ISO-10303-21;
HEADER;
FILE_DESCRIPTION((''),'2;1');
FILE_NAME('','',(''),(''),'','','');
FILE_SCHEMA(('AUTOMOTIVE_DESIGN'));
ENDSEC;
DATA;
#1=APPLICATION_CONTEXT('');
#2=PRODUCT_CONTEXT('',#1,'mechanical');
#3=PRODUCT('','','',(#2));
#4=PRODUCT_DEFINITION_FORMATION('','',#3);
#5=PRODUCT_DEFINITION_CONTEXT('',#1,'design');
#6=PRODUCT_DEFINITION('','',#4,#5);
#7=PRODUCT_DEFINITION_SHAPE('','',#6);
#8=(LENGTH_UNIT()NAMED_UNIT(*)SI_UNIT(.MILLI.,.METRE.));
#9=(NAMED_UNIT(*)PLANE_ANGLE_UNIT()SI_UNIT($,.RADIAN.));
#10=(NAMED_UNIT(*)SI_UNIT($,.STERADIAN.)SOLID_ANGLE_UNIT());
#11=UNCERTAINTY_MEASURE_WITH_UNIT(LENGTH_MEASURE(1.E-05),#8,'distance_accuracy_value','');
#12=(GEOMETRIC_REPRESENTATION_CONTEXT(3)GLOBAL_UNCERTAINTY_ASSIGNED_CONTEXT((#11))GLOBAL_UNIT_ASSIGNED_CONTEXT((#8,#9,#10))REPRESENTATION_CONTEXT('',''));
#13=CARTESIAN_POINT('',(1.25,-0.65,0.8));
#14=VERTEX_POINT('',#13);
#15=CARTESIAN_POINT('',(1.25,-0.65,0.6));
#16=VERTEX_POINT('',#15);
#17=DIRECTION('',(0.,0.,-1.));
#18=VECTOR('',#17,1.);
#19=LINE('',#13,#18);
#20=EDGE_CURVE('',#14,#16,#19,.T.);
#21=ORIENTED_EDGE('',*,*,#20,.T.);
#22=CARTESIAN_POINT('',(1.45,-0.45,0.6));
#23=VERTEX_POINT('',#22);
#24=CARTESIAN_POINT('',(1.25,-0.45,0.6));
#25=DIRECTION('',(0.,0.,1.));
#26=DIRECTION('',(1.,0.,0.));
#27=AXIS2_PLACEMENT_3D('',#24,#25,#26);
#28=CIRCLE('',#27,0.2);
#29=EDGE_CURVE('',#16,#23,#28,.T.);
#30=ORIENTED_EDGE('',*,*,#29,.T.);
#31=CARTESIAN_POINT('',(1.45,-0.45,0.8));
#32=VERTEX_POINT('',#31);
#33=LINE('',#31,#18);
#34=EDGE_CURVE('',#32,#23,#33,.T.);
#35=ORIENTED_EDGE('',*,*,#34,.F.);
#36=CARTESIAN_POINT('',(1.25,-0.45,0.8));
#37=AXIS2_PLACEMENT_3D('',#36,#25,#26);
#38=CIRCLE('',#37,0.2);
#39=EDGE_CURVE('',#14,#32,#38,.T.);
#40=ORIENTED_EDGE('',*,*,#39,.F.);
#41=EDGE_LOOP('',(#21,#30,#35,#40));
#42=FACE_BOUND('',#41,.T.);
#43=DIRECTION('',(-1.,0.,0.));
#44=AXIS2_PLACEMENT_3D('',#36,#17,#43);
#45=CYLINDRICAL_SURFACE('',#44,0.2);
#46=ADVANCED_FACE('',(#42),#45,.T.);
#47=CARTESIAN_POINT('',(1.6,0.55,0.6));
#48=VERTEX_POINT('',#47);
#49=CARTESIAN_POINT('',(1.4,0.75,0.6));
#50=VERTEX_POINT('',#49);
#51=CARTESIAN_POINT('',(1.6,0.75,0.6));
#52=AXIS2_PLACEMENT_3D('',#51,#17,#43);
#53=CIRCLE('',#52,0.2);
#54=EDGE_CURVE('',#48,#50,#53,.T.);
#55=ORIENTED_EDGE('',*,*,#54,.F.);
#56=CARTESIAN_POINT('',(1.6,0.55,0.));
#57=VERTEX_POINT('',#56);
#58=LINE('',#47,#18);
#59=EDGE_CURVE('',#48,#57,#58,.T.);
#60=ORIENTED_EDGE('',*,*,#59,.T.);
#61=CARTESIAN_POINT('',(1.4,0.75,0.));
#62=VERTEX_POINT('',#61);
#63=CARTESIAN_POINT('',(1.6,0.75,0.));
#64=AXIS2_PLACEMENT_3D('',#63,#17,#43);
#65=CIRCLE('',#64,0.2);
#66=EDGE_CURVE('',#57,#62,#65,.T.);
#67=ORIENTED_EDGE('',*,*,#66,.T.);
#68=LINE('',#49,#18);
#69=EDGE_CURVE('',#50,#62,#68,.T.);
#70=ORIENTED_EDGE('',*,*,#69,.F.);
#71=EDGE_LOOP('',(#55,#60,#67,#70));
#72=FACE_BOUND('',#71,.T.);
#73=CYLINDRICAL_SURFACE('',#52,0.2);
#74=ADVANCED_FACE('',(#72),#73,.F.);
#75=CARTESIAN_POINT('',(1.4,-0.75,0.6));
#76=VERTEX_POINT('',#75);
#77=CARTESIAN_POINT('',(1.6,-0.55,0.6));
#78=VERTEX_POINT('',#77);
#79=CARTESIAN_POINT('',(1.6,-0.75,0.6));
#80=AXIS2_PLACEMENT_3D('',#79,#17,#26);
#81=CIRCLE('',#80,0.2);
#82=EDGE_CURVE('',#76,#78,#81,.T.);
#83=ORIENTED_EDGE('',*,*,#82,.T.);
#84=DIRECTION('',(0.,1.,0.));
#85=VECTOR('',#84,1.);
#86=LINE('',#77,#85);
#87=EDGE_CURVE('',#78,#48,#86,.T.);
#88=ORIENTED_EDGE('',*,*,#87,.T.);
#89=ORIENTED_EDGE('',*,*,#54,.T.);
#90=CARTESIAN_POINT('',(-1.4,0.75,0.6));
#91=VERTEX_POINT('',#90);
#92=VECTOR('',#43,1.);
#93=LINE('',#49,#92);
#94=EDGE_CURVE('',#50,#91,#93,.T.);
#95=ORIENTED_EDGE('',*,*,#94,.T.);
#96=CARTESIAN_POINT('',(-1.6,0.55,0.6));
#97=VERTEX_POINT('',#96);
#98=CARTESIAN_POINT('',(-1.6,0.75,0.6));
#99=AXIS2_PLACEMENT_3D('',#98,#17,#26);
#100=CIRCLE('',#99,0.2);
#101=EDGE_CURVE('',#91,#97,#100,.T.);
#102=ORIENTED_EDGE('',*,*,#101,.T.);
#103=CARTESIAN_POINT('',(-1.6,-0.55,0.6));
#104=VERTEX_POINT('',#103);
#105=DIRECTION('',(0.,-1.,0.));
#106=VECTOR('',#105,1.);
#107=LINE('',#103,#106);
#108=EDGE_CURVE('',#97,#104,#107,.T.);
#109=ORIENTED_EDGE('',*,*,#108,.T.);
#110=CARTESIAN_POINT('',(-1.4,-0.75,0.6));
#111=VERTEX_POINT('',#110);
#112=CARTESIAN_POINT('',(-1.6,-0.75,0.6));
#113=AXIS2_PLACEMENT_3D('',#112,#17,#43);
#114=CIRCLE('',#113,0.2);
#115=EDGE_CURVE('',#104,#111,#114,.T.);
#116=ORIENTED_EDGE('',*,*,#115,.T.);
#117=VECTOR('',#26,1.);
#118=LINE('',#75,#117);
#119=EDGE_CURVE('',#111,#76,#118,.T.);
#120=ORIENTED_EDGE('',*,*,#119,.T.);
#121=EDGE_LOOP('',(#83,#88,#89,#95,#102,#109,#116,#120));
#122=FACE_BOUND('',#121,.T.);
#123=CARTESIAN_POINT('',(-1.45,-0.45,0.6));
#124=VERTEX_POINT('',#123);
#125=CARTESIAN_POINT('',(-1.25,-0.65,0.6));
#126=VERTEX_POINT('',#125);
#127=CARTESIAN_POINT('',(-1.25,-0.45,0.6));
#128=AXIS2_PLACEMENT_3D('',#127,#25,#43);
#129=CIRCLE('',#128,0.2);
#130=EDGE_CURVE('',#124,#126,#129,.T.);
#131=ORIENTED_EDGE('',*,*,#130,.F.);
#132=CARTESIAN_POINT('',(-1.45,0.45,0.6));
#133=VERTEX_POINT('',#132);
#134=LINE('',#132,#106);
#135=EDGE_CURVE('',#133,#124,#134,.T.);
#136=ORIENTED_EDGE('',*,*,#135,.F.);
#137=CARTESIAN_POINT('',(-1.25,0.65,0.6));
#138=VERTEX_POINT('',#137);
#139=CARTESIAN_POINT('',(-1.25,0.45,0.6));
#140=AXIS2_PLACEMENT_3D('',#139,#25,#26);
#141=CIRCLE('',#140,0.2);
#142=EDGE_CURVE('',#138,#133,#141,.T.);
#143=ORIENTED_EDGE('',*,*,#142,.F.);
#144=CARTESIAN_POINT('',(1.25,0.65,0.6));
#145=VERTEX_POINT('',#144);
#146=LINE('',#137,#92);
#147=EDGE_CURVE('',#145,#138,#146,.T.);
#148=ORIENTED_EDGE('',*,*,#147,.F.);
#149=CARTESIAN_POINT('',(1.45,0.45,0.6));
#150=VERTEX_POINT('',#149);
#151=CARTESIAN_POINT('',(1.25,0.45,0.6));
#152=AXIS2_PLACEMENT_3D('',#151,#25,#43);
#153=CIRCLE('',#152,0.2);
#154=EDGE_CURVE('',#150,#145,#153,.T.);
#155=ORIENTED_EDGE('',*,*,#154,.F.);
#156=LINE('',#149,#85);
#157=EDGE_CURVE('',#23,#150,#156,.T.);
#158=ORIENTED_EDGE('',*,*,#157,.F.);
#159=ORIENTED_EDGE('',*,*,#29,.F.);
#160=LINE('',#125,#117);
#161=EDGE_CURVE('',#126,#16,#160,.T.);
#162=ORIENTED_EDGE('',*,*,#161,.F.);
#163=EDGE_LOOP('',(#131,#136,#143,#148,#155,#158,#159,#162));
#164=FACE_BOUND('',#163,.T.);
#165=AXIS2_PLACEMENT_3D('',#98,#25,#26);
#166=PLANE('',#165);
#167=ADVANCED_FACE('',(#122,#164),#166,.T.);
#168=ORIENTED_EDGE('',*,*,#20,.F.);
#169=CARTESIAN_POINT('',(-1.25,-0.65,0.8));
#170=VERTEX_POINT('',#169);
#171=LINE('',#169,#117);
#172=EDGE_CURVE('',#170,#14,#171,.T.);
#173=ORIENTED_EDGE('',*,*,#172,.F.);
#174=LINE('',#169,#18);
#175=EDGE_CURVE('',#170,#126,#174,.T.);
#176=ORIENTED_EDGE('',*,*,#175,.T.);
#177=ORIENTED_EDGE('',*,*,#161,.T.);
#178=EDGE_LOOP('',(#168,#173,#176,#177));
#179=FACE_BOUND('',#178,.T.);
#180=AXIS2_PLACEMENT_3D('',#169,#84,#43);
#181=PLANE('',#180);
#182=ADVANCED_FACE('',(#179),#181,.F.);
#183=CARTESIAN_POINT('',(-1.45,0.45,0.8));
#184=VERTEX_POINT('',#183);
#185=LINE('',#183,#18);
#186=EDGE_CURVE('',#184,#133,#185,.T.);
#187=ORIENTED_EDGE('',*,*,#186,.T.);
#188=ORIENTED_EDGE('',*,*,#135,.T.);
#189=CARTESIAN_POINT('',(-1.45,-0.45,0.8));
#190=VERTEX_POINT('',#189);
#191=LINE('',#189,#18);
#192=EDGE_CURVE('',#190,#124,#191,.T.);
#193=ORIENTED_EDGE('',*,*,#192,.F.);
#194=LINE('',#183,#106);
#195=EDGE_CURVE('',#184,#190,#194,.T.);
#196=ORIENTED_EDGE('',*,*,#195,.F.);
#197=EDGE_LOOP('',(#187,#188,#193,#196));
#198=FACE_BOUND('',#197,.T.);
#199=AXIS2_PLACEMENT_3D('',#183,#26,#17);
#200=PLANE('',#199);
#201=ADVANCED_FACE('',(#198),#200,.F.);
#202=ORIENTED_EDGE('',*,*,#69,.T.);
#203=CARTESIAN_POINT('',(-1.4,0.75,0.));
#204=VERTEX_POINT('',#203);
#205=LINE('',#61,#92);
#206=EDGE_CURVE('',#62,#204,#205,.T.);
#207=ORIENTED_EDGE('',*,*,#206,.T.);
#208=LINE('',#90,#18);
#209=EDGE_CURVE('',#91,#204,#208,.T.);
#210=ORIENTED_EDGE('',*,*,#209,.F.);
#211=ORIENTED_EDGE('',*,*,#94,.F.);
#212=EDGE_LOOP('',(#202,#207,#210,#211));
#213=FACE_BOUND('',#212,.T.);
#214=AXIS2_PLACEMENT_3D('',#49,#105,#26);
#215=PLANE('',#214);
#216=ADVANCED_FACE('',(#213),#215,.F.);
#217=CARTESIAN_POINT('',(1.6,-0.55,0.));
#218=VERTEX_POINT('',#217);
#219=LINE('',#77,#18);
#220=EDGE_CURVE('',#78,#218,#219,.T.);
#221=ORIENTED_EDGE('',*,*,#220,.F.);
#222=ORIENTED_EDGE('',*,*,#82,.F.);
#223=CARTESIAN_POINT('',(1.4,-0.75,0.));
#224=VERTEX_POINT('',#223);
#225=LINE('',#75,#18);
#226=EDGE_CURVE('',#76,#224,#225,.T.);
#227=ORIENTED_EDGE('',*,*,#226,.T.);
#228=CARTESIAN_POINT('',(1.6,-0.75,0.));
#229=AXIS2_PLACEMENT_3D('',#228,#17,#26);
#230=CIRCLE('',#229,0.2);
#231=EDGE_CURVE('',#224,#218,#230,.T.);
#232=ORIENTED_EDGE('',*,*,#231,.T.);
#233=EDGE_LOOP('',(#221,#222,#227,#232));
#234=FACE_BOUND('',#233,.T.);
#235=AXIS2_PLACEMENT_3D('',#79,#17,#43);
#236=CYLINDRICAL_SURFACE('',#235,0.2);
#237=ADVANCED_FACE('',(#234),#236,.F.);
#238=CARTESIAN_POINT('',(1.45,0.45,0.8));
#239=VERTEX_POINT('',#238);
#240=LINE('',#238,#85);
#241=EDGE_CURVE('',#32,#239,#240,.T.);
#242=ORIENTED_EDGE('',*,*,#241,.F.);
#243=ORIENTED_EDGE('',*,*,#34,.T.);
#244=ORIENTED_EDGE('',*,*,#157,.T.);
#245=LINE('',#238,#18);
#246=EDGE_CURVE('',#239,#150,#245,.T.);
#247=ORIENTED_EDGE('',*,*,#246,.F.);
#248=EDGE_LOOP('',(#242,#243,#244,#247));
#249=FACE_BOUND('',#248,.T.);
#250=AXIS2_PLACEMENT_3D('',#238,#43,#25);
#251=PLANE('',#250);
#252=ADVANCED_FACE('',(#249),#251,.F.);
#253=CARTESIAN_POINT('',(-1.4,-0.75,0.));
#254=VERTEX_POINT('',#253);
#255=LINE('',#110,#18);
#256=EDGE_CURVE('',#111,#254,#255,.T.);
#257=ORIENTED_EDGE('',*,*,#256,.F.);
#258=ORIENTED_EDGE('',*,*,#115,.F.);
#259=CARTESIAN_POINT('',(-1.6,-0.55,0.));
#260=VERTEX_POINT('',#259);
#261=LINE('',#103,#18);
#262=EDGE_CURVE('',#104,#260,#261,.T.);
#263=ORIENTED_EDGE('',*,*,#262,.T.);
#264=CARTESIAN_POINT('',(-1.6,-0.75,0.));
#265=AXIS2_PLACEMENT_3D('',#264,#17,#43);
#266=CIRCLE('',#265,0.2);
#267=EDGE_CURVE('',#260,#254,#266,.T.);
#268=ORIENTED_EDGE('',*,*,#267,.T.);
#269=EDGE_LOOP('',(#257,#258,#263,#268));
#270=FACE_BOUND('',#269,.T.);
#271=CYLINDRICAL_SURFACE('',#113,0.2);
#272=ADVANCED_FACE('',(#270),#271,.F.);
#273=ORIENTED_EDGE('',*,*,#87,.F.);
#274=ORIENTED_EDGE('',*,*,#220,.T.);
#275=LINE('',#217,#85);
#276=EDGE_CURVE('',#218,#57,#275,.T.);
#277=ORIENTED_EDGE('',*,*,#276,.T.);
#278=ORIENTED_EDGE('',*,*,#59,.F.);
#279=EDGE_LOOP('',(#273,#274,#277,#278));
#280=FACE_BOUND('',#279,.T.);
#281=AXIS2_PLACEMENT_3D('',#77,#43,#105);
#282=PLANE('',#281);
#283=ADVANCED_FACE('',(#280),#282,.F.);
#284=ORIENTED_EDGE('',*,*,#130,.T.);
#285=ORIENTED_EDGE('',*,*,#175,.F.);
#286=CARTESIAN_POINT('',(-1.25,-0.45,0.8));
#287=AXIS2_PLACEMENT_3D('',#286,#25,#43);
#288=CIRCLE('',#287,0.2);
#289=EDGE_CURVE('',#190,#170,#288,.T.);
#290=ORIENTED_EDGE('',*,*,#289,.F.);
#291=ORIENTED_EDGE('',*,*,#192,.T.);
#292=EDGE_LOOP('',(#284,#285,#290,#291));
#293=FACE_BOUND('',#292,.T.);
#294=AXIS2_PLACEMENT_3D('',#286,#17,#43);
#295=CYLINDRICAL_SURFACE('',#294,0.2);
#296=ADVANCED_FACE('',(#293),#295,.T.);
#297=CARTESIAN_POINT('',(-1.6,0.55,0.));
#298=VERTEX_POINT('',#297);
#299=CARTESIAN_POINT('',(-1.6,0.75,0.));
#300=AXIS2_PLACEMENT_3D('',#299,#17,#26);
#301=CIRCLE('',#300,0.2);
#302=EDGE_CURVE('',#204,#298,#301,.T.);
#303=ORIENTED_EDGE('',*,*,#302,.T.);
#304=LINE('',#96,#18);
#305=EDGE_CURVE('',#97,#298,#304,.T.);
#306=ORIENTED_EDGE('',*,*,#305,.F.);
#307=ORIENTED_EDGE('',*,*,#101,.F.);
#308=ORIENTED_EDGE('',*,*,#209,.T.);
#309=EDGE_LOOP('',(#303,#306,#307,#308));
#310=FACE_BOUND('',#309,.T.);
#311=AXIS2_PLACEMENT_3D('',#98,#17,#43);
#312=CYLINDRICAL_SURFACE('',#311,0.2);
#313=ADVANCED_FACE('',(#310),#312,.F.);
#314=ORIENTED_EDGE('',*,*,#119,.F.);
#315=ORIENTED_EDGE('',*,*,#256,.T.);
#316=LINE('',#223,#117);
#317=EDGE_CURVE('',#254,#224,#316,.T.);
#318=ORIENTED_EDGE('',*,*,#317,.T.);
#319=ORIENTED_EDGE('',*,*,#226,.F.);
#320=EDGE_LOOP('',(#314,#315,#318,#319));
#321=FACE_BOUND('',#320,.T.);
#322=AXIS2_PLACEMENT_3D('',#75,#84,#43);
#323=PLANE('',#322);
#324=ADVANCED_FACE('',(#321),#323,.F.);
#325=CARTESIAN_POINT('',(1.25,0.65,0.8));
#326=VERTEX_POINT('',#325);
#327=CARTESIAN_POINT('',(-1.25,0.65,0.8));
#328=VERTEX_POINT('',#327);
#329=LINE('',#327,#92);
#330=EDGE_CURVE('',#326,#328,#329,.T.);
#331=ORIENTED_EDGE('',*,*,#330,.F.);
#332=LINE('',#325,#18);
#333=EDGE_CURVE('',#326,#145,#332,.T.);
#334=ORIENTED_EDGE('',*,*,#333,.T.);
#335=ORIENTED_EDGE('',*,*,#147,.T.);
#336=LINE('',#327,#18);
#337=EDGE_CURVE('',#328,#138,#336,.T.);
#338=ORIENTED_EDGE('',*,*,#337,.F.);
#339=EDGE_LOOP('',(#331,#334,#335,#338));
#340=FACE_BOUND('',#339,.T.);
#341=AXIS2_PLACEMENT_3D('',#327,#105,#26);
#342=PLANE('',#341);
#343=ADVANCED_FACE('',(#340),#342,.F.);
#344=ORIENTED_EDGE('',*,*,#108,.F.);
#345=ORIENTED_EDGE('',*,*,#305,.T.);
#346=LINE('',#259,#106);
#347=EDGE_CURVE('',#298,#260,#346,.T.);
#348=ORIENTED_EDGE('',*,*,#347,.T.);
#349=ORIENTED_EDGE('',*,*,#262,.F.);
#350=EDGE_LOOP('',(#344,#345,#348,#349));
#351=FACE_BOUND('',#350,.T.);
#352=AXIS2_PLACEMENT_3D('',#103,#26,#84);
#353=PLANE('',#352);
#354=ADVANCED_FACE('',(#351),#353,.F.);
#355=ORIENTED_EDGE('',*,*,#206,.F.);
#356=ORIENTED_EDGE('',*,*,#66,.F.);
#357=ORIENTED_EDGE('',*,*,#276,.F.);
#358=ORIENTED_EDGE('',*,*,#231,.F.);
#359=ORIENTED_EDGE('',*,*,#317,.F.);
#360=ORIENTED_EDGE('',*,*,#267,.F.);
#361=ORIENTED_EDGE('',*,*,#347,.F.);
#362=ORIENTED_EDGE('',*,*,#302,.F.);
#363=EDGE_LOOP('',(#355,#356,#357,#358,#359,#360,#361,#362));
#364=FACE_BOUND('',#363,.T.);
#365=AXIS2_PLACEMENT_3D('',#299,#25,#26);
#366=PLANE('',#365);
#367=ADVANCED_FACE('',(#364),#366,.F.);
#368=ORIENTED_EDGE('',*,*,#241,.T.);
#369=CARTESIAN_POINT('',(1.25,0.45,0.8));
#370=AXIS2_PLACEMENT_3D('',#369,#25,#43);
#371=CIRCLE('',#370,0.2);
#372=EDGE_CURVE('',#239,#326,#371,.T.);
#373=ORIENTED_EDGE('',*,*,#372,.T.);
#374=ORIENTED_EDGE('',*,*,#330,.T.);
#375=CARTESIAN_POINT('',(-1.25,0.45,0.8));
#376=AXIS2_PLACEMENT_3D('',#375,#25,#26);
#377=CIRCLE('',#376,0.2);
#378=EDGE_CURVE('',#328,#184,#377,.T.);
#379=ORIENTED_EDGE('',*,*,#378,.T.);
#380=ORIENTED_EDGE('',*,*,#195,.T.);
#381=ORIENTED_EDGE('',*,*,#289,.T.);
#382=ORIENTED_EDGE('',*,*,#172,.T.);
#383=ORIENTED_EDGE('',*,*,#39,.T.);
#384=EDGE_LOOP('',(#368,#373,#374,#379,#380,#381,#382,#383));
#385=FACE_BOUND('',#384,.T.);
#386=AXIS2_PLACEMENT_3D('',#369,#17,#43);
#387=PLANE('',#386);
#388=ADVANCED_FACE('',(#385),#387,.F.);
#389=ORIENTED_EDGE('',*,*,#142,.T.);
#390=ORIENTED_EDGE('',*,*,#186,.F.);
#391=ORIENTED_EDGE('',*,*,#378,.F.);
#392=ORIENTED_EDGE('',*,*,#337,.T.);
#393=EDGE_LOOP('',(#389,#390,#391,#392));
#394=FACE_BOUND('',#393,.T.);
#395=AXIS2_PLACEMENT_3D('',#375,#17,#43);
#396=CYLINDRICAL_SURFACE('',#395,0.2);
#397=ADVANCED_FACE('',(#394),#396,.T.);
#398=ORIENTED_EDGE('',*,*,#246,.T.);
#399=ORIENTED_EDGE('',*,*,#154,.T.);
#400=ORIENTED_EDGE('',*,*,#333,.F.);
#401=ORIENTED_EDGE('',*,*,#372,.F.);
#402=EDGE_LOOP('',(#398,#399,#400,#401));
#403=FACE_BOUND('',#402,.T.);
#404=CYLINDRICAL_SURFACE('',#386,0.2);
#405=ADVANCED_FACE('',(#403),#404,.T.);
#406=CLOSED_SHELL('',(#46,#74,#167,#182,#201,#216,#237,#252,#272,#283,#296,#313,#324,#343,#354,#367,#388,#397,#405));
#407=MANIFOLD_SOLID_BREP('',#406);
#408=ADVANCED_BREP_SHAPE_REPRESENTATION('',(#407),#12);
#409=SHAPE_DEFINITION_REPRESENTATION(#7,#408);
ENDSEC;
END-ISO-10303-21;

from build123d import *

# Parameters (mm, degrees)
SEMELLE_DEPTH   = 0.6
COUVERCLE_DEPTH = 0.2


with BuildPart() as part:
    # Esquisse1 → semelle (new body)
    with BuildSketch(Plane.XY):
        with BuildLine():
            Line((-1.6, -0.55), (-1.6, 0.55))
            ThreePointArc((-1.6, 0.55), (-1.458578644, 0.608578644), (-1.4, 0.75))
            Line((-1.4, 0.75), (1.4, 0.75))
            ThreePointArc((1.4, 0.75), (1.458578644, 0.608578644), (1.6, 0.55))
            Line((1.6, 0.55), (1.6, -0.55))
            ThreePointArc((1.6, -0.55), (1.458578644, -0.608578644), (1.4, -0.75))
            Line((1.4, -0.75), (-1.4, -0.75))
            ThreePointArc((-1.4, -0.75), (-1.458578644, -0.608578644), (-1.6, -0.55))
        make_face()
    extrude(amount=SEMELLE_DEPTH)

    # Esquisse2 → couvercle (add)
    with BuildSketch(Plane.XY.offset(0.6)):
        with BuildLine():
            Line((-1.25, 0.65), (1.25, 0.65))
            ThreePointArc((1.25, 0.65), (1.391421356, 0.591421356), (1.45, 0.45))
            Line((1.45, 0.45), (1.45, -0.45))
            ThreePointArc((1.45, -0.45), (1.391421356, -0.591421356), (1.25, -0.65))
            Line((1.25, -0.65), (-1.25, -0.65))
            ThreePointArc((-1.25, -0.65), (-1.391421356, -0.591421356), (-1.45, -0.45))
            Line((-1.45, -0.45), (-1.45, 0.45))
            ThreePointArc((-1.45, 0.45), (-1.391421356, 0.591421356), (-1.25, 0.65))
        make_face()
    extrude(amount=COUVERCLE_DEPTH)


solid = part.part
